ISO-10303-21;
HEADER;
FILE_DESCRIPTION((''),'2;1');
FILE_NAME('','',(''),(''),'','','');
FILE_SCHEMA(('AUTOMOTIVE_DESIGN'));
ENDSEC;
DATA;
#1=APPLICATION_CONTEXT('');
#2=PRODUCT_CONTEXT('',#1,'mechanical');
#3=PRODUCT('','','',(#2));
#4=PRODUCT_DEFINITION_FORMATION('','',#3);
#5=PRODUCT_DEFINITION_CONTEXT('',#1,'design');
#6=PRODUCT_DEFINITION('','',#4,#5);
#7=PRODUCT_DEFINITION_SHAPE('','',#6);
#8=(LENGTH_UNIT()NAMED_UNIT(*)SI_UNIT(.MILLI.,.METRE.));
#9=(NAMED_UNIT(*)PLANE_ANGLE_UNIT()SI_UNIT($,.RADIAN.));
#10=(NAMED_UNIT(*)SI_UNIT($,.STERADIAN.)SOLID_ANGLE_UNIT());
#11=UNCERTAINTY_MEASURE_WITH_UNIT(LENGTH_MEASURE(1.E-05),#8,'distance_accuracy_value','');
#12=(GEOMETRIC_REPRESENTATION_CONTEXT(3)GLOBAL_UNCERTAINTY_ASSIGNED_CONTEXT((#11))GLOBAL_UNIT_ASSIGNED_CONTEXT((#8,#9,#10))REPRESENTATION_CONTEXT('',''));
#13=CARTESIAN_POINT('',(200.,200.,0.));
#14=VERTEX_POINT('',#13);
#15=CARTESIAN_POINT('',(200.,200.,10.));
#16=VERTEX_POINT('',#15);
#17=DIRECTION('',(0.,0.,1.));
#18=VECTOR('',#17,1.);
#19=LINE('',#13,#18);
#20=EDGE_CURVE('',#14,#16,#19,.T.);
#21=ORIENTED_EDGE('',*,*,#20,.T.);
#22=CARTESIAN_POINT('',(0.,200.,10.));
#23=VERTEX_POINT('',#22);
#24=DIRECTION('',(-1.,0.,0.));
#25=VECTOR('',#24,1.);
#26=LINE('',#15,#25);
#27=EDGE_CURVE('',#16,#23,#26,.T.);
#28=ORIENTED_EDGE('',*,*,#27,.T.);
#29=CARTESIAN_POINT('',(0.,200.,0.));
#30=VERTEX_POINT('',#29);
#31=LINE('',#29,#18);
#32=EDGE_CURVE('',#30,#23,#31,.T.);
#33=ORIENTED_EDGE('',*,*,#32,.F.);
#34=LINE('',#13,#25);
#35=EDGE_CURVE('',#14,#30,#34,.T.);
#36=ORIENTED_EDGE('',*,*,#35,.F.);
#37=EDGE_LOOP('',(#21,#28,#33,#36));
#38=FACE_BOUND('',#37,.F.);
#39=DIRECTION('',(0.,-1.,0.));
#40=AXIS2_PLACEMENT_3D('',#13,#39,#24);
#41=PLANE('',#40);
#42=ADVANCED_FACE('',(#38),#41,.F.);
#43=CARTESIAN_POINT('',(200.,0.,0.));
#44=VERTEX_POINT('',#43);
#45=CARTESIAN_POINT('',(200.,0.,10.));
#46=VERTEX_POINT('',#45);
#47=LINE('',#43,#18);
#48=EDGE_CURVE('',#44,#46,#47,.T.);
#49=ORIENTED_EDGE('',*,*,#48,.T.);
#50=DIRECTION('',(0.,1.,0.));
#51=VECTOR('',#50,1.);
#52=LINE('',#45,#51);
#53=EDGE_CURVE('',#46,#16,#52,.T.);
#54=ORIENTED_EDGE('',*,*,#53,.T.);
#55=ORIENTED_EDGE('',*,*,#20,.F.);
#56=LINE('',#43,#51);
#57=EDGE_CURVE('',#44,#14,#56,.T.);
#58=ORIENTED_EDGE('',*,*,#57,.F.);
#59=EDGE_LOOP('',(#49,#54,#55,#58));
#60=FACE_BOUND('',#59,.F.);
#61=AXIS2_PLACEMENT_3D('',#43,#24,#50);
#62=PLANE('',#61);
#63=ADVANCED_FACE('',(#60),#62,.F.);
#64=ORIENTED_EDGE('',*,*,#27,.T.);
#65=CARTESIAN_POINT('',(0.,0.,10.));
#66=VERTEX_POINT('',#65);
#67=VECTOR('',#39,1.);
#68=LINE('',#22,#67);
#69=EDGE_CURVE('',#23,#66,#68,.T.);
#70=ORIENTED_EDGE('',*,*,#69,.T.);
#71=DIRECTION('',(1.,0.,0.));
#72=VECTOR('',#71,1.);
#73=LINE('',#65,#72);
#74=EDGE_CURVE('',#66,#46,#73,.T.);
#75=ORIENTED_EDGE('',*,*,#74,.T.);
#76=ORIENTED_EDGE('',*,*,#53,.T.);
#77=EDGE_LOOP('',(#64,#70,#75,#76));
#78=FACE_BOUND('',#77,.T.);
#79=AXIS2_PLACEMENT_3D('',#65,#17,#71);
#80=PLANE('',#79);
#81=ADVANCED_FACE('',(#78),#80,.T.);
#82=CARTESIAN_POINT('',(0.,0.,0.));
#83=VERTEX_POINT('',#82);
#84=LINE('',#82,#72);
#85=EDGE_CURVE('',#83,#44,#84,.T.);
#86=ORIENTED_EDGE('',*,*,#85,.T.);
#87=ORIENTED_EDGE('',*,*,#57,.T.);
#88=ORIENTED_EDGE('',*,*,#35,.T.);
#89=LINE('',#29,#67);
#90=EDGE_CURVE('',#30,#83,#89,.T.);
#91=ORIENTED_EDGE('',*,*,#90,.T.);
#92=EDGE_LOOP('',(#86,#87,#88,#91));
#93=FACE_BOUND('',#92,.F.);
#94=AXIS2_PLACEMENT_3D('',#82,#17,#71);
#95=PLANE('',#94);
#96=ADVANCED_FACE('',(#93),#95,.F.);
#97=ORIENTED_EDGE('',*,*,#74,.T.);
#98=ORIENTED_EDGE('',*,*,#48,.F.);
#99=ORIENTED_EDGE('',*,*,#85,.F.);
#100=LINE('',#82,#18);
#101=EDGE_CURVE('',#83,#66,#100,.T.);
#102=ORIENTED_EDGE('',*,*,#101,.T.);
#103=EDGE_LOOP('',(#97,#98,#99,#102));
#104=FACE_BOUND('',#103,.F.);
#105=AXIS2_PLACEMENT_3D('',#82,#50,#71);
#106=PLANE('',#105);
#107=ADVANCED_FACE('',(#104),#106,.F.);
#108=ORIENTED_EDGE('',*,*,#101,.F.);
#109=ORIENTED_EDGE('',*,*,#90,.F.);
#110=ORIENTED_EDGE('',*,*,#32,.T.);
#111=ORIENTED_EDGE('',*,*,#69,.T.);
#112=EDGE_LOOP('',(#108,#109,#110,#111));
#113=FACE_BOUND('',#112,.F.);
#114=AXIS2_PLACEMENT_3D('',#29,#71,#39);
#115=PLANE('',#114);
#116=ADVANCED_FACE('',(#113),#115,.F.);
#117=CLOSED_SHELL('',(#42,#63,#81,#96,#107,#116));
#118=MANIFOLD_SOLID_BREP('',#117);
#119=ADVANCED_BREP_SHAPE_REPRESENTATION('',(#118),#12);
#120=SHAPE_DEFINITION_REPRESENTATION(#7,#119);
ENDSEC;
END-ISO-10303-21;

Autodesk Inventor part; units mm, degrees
ref_plane "YZ Plane" through (0, 0, 0) normal (1, 0, 0) x (0, 1, 0)
ref_plane "XZ Plane" through (0, 0, 0) normal (0, 1, 0) x (-1, 0, 0)
ref_plane "XY Plane" through (0, 0, 0) normal (0, 0, 1) x (1, 0, 0)
sketch "Esboço1" plane through (0, 0, 0) normal (0, 0, 1) x (1, 0, 0)
  line L0 (0, 0) -> (200, 0)
  line L1 (200, 0) -> (200, 200)
  line L2 (200, 200) -> (0, 200)
  line L3 (0, 200) -> (0, 0)
  dimension "d0" = 200
  dimension "d1" = 200
extrude "Extrusão1" add sketch "Esboço1" along normal blind 10
properties part number "base"
